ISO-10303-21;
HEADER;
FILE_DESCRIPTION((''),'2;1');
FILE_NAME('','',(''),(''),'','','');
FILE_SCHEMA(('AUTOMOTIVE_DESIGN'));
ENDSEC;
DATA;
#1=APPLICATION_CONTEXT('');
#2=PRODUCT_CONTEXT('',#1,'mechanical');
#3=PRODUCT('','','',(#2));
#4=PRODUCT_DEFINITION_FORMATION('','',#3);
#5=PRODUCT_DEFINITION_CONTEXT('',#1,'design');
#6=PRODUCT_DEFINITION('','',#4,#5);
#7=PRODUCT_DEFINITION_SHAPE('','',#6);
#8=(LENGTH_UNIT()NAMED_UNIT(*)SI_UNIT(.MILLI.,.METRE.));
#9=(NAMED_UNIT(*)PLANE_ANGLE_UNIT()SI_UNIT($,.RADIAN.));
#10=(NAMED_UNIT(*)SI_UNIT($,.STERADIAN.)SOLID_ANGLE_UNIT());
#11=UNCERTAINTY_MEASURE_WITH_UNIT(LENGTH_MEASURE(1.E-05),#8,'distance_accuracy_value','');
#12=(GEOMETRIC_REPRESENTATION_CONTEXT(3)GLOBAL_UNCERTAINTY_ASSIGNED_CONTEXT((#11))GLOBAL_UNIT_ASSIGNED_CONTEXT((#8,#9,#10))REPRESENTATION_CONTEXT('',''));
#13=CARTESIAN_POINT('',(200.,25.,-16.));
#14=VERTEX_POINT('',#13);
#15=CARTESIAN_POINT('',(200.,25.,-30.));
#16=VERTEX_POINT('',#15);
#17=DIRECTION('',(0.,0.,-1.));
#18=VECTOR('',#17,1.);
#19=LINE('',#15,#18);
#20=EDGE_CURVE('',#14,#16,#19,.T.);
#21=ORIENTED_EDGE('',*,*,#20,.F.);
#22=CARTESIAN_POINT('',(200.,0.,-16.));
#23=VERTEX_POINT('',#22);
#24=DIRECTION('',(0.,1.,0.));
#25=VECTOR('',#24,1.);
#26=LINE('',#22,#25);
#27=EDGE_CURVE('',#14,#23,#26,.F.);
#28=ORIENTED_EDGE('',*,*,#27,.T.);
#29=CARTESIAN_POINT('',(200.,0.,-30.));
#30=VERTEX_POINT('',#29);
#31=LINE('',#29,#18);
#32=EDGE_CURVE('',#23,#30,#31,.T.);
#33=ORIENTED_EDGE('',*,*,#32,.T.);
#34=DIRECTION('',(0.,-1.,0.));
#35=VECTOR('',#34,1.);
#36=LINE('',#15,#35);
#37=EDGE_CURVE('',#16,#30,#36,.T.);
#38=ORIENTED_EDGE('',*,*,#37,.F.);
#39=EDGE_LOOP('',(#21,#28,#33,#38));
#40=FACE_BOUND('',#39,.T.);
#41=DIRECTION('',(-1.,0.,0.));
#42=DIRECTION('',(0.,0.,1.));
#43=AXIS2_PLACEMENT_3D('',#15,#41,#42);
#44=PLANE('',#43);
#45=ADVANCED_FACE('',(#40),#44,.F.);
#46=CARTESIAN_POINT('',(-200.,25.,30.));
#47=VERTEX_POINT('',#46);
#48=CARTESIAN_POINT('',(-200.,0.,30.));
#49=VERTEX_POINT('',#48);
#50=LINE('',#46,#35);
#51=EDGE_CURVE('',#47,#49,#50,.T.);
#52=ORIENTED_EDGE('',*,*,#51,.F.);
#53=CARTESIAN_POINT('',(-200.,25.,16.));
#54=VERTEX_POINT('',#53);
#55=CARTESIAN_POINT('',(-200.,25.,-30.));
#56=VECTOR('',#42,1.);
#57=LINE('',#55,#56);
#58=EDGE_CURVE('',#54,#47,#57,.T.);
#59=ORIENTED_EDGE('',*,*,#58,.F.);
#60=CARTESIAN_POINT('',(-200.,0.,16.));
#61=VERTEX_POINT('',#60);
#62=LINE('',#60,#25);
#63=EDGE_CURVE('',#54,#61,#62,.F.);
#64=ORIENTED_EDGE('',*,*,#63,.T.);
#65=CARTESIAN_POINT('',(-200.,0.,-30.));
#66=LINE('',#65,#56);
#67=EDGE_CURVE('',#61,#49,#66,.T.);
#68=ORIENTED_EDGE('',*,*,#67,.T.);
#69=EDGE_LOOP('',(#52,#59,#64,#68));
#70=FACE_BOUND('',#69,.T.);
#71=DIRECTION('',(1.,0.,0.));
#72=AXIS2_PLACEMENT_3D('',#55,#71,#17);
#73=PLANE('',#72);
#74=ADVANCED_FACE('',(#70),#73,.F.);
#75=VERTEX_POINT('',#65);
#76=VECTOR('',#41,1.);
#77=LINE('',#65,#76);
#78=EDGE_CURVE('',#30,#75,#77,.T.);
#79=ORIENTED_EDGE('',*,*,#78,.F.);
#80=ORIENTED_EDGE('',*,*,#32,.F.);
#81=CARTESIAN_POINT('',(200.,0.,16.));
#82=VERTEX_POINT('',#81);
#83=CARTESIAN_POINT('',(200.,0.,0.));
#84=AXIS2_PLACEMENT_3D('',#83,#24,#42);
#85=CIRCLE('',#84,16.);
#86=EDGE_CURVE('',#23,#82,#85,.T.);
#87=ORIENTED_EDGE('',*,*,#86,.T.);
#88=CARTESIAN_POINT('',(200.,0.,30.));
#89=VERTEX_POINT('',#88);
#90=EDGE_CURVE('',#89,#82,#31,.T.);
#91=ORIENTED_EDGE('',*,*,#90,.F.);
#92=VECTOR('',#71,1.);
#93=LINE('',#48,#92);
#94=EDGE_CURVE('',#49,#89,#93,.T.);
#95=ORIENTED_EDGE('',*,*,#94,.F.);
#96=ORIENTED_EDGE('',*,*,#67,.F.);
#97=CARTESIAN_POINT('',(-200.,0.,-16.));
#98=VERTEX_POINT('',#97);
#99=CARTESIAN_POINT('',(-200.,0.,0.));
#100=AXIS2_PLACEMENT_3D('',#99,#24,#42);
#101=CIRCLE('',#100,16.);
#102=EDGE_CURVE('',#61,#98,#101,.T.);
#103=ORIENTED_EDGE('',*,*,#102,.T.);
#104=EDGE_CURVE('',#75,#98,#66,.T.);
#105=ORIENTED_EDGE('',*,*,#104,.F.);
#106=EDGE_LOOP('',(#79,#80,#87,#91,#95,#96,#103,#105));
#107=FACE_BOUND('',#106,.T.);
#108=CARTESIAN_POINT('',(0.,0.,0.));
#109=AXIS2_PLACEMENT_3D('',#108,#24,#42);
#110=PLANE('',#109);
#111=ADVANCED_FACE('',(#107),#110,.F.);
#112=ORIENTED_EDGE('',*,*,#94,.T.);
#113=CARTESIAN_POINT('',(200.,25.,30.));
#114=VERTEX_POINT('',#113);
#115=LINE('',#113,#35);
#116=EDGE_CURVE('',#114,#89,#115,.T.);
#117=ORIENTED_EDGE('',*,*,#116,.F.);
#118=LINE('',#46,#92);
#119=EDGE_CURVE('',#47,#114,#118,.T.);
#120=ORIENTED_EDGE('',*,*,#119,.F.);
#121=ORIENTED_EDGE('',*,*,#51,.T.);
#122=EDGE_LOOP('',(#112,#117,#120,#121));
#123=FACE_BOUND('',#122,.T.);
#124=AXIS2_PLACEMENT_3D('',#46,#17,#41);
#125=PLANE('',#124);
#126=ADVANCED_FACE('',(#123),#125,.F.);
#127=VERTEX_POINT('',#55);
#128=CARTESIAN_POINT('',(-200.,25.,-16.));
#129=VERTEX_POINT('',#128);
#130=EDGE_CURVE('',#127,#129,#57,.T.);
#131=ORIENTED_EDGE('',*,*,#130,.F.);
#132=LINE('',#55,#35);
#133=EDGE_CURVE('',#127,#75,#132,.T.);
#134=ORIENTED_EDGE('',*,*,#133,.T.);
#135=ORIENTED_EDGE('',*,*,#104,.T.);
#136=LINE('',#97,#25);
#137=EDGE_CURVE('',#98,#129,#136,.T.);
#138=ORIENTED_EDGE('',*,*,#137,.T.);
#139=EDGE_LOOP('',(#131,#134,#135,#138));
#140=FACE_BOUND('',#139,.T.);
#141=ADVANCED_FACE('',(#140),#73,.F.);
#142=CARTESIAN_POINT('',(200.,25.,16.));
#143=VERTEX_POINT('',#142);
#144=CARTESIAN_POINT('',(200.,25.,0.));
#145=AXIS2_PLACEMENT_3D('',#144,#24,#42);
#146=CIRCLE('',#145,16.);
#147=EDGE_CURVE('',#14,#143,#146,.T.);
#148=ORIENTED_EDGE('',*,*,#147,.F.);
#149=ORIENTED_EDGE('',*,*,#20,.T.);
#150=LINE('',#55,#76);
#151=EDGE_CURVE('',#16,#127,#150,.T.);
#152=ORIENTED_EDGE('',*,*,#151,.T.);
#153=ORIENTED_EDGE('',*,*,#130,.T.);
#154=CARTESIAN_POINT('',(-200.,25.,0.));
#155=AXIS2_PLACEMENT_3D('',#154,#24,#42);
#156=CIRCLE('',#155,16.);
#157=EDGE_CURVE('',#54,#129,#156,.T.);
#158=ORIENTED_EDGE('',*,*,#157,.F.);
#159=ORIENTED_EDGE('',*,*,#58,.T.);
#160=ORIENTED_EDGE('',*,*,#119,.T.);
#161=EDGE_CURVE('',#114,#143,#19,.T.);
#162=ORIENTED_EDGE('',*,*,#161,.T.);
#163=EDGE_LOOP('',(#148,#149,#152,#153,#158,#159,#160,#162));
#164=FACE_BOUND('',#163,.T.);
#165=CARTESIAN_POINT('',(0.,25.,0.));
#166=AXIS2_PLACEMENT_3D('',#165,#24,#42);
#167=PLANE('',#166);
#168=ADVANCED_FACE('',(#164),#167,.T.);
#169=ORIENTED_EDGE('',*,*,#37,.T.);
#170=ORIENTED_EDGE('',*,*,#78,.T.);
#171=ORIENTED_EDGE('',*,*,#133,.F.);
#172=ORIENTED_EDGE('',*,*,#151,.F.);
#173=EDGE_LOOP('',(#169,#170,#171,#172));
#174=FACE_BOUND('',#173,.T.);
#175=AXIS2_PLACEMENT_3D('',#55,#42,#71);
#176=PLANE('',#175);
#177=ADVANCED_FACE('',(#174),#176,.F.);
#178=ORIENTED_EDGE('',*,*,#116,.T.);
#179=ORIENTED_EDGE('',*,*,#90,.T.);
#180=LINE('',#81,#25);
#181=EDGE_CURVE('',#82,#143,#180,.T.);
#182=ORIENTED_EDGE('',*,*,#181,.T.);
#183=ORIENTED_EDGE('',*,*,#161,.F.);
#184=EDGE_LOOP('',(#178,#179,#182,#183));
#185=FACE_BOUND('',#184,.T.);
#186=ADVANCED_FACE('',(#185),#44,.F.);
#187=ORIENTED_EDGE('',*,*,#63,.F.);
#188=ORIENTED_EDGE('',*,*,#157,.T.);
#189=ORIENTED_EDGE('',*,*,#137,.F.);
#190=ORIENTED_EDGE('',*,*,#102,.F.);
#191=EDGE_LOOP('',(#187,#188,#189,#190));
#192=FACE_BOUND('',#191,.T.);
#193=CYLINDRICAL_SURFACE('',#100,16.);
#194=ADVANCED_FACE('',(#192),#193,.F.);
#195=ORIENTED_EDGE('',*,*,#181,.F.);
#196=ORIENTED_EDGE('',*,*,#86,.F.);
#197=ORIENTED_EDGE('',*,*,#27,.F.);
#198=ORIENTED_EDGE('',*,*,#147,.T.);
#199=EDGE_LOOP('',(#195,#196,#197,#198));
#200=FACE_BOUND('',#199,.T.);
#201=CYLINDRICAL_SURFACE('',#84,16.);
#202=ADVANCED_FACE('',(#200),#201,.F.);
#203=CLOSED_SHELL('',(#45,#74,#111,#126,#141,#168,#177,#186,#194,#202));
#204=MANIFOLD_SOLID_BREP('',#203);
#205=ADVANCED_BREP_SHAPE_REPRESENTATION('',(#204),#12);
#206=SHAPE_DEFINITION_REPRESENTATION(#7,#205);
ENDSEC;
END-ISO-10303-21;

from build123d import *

# Parameters (mm, degrees)
SKETCH2_W           = 400
SKETCH2_H           = 60
BOSS_EXTRUDE1_DEPTH = 25
SKETCH3_R           = 16
CUT_EXTRUDE2_DEPTH  = 204.776838723


with BuildPart() as part:
    # Sketch2 → Boss-Extrude1 (new body)
    with BuildSketch(Plane(origin=(0, 0, 0), x_dir=(1, 0, 0), z_dir=(0, 1, 0))):
        Rectangle(SKETCH2_W, SKETCH2_H)
    extrude(amount=BOSS_EXTRUDE1_DEPTH)

    # Sketch3 → Cut-Extrude2 (cut, through all)
    with BuildSketch(Plane(origin=(0, 25, 0), x_dir=(1, 0, 0), z_dir=(0, 1, 0))):
        with Locations((-200, 0)):
            Circle(SKETCH3_R)
        with Locations((200, 0)):
            Circle(SKETCH3_R)
    extrude(amount=-CUT_EXTRUDE2_DEPTH, mode=Mode.SUBTRACT)


solid = part.part
